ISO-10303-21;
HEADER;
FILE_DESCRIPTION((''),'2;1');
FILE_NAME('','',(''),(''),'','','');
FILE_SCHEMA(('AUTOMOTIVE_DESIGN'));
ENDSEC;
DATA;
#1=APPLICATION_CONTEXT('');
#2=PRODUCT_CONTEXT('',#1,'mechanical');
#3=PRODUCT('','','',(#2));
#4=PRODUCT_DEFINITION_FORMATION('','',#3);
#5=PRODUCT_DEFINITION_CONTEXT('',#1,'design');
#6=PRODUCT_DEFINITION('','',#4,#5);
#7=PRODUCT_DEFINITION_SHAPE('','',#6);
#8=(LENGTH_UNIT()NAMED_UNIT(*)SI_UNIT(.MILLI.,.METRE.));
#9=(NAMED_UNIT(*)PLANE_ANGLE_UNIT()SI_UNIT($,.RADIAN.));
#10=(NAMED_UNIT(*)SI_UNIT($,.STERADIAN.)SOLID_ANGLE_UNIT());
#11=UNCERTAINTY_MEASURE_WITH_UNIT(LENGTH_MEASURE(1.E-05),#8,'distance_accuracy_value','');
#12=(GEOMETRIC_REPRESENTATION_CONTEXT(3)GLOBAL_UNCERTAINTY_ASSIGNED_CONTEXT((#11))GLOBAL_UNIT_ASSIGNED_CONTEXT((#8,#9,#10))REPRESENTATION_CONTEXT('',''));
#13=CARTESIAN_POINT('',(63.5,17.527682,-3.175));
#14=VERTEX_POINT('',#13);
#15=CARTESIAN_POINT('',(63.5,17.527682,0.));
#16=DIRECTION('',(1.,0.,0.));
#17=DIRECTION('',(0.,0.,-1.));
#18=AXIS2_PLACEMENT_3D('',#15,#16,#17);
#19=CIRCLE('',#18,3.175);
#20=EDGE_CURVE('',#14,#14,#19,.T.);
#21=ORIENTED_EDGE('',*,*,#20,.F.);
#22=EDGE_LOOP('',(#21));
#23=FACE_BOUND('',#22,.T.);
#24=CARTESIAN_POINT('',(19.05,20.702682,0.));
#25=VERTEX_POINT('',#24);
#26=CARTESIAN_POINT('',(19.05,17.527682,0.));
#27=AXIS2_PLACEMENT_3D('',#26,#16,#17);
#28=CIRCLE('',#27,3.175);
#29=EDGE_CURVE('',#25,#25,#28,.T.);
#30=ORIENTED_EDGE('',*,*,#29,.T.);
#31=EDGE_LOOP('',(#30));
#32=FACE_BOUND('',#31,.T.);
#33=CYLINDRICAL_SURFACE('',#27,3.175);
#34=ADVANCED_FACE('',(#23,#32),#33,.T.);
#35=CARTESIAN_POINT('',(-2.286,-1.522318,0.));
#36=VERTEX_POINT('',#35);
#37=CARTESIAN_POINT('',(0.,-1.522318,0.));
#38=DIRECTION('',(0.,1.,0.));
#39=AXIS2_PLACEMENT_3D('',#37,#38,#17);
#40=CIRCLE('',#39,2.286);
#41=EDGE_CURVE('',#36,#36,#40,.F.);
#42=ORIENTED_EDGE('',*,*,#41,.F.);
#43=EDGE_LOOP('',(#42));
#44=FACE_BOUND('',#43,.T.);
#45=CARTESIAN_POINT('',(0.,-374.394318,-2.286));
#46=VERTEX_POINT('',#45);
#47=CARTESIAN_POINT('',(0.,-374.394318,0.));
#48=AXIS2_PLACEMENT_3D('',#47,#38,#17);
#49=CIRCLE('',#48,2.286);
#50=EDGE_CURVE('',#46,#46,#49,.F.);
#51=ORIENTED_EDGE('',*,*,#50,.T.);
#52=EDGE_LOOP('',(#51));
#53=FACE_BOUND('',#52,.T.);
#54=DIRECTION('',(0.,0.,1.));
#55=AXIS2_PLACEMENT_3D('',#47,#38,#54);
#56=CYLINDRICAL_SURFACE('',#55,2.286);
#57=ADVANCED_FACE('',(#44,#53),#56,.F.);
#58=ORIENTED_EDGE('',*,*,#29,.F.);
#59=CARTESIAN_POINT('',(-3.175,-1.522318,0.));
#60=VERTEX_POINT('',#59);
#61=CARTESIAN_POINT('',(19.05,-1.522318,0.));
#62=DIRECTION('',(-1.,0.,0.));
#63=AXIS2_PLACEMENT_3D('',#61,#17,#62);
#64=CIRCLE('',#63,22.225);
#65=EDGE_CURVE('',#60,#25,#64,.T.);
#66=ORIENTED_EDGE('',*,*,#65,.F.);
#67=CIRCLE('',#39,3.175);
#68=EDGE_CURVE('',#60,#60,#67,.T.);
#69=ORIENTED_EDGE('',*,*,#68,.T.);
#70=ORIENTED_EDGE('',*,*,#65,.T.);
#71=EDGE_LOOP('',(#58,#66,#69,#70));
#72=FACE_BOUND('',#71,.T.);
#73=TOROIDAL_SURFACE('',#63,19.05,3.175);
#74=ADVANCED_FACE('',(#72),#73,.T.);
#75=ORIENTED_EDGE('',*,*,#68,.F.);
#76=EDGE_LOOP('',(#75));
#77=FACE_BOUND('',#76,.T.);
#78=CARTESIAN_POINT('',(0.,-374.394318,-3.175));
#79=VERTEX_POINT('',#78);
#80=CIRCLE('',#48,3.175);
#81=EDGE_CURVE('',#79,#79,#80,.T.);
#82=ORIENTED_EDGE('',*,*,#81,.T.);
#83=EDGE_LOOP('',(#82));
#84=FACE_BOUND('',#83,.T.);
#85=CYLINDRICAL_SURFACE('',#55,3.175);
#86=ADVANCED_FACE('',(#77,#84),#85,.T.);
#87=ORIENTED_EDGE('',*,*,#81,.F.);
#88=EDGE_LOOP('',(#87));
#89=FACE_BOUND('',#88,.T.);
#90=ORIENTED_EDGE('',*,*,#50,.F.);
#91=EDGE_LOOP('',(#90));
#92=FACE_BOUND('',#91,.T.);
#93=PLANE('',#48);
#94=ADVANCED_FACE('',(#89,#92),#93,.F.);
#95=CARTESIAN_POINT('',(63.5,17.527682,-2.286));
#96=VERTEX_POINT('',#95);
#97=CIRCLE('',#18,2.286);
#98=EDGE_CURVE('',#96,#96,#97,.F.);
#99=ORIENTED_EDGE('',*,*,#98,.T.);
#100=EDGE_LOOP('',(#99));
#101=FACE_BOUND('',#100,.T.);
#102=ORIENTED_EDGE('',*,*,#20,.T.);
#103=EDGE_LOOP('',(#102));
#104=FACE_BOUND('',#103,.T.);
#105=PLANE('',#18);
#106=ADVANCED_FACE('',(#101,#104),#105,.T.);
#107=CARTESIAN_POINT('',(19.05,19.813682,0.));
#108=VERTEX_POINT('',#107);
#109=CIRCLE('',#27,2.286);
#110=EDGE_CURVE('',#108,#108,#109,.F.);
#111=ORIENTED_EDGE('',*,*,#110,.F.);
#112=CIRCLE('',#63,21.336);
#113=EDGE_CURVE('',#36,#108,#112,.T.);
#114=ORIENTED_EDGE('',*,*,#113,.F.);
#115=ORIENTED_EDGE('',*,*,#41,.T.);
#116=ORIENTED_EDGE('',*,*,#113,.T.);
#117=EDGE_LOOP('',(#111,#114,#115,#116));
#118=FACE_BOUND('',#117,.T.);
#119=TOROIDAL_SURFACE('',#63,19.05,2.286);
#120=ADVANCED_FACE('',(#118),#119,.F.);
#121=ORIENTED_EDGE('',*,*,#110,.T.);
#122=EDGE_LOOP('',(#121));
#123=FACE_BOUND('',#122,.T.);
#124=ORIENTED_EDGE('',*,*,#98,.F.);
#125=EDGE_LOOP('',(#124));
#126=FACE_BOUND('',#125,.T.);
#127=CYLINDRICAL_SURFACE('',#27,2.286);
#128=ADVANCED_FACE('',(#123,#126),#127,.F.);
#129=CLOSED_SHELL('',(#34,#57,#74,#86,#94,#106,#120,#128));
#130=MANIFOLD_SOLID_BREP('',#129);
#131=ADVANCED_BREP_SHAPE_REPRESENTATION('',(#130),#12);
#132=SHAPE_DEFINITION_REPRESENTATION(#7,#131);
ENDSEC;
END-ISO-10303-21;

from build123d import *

# Parameters (mm, degrees)
SKETCH2_R   = 3.175
SKETCH2_R_2 = 2.286


with BuildPart() as part:
    # Sweep1: sweep along a path in Sketch1
    with BuildLine(Plane.XY) as sweep1_path:
        Line((0, -374.394317881), (0, -1.522317881))
        ThreePointArc((0, -1.522317881), (5.579615818, 11.948066301), (19.05, 17.527682119))
        Line((19.05, 17.527682119), (63.5, 17.527682119))
    # Sketch2 → Sweep1 (sweep)
    with BuildSketch(Plane(origin=(63.5, 17.527682119, 0), x_dir=(0, 0, -1), z_dir=(1, 0, 0))):
        Circle(SKETCH2_R)
        Circle(SKETCH2_R_2, mode=Mode.SUBTRACT)
    sweep(path=sweep1_path.line)


solid = part.part
